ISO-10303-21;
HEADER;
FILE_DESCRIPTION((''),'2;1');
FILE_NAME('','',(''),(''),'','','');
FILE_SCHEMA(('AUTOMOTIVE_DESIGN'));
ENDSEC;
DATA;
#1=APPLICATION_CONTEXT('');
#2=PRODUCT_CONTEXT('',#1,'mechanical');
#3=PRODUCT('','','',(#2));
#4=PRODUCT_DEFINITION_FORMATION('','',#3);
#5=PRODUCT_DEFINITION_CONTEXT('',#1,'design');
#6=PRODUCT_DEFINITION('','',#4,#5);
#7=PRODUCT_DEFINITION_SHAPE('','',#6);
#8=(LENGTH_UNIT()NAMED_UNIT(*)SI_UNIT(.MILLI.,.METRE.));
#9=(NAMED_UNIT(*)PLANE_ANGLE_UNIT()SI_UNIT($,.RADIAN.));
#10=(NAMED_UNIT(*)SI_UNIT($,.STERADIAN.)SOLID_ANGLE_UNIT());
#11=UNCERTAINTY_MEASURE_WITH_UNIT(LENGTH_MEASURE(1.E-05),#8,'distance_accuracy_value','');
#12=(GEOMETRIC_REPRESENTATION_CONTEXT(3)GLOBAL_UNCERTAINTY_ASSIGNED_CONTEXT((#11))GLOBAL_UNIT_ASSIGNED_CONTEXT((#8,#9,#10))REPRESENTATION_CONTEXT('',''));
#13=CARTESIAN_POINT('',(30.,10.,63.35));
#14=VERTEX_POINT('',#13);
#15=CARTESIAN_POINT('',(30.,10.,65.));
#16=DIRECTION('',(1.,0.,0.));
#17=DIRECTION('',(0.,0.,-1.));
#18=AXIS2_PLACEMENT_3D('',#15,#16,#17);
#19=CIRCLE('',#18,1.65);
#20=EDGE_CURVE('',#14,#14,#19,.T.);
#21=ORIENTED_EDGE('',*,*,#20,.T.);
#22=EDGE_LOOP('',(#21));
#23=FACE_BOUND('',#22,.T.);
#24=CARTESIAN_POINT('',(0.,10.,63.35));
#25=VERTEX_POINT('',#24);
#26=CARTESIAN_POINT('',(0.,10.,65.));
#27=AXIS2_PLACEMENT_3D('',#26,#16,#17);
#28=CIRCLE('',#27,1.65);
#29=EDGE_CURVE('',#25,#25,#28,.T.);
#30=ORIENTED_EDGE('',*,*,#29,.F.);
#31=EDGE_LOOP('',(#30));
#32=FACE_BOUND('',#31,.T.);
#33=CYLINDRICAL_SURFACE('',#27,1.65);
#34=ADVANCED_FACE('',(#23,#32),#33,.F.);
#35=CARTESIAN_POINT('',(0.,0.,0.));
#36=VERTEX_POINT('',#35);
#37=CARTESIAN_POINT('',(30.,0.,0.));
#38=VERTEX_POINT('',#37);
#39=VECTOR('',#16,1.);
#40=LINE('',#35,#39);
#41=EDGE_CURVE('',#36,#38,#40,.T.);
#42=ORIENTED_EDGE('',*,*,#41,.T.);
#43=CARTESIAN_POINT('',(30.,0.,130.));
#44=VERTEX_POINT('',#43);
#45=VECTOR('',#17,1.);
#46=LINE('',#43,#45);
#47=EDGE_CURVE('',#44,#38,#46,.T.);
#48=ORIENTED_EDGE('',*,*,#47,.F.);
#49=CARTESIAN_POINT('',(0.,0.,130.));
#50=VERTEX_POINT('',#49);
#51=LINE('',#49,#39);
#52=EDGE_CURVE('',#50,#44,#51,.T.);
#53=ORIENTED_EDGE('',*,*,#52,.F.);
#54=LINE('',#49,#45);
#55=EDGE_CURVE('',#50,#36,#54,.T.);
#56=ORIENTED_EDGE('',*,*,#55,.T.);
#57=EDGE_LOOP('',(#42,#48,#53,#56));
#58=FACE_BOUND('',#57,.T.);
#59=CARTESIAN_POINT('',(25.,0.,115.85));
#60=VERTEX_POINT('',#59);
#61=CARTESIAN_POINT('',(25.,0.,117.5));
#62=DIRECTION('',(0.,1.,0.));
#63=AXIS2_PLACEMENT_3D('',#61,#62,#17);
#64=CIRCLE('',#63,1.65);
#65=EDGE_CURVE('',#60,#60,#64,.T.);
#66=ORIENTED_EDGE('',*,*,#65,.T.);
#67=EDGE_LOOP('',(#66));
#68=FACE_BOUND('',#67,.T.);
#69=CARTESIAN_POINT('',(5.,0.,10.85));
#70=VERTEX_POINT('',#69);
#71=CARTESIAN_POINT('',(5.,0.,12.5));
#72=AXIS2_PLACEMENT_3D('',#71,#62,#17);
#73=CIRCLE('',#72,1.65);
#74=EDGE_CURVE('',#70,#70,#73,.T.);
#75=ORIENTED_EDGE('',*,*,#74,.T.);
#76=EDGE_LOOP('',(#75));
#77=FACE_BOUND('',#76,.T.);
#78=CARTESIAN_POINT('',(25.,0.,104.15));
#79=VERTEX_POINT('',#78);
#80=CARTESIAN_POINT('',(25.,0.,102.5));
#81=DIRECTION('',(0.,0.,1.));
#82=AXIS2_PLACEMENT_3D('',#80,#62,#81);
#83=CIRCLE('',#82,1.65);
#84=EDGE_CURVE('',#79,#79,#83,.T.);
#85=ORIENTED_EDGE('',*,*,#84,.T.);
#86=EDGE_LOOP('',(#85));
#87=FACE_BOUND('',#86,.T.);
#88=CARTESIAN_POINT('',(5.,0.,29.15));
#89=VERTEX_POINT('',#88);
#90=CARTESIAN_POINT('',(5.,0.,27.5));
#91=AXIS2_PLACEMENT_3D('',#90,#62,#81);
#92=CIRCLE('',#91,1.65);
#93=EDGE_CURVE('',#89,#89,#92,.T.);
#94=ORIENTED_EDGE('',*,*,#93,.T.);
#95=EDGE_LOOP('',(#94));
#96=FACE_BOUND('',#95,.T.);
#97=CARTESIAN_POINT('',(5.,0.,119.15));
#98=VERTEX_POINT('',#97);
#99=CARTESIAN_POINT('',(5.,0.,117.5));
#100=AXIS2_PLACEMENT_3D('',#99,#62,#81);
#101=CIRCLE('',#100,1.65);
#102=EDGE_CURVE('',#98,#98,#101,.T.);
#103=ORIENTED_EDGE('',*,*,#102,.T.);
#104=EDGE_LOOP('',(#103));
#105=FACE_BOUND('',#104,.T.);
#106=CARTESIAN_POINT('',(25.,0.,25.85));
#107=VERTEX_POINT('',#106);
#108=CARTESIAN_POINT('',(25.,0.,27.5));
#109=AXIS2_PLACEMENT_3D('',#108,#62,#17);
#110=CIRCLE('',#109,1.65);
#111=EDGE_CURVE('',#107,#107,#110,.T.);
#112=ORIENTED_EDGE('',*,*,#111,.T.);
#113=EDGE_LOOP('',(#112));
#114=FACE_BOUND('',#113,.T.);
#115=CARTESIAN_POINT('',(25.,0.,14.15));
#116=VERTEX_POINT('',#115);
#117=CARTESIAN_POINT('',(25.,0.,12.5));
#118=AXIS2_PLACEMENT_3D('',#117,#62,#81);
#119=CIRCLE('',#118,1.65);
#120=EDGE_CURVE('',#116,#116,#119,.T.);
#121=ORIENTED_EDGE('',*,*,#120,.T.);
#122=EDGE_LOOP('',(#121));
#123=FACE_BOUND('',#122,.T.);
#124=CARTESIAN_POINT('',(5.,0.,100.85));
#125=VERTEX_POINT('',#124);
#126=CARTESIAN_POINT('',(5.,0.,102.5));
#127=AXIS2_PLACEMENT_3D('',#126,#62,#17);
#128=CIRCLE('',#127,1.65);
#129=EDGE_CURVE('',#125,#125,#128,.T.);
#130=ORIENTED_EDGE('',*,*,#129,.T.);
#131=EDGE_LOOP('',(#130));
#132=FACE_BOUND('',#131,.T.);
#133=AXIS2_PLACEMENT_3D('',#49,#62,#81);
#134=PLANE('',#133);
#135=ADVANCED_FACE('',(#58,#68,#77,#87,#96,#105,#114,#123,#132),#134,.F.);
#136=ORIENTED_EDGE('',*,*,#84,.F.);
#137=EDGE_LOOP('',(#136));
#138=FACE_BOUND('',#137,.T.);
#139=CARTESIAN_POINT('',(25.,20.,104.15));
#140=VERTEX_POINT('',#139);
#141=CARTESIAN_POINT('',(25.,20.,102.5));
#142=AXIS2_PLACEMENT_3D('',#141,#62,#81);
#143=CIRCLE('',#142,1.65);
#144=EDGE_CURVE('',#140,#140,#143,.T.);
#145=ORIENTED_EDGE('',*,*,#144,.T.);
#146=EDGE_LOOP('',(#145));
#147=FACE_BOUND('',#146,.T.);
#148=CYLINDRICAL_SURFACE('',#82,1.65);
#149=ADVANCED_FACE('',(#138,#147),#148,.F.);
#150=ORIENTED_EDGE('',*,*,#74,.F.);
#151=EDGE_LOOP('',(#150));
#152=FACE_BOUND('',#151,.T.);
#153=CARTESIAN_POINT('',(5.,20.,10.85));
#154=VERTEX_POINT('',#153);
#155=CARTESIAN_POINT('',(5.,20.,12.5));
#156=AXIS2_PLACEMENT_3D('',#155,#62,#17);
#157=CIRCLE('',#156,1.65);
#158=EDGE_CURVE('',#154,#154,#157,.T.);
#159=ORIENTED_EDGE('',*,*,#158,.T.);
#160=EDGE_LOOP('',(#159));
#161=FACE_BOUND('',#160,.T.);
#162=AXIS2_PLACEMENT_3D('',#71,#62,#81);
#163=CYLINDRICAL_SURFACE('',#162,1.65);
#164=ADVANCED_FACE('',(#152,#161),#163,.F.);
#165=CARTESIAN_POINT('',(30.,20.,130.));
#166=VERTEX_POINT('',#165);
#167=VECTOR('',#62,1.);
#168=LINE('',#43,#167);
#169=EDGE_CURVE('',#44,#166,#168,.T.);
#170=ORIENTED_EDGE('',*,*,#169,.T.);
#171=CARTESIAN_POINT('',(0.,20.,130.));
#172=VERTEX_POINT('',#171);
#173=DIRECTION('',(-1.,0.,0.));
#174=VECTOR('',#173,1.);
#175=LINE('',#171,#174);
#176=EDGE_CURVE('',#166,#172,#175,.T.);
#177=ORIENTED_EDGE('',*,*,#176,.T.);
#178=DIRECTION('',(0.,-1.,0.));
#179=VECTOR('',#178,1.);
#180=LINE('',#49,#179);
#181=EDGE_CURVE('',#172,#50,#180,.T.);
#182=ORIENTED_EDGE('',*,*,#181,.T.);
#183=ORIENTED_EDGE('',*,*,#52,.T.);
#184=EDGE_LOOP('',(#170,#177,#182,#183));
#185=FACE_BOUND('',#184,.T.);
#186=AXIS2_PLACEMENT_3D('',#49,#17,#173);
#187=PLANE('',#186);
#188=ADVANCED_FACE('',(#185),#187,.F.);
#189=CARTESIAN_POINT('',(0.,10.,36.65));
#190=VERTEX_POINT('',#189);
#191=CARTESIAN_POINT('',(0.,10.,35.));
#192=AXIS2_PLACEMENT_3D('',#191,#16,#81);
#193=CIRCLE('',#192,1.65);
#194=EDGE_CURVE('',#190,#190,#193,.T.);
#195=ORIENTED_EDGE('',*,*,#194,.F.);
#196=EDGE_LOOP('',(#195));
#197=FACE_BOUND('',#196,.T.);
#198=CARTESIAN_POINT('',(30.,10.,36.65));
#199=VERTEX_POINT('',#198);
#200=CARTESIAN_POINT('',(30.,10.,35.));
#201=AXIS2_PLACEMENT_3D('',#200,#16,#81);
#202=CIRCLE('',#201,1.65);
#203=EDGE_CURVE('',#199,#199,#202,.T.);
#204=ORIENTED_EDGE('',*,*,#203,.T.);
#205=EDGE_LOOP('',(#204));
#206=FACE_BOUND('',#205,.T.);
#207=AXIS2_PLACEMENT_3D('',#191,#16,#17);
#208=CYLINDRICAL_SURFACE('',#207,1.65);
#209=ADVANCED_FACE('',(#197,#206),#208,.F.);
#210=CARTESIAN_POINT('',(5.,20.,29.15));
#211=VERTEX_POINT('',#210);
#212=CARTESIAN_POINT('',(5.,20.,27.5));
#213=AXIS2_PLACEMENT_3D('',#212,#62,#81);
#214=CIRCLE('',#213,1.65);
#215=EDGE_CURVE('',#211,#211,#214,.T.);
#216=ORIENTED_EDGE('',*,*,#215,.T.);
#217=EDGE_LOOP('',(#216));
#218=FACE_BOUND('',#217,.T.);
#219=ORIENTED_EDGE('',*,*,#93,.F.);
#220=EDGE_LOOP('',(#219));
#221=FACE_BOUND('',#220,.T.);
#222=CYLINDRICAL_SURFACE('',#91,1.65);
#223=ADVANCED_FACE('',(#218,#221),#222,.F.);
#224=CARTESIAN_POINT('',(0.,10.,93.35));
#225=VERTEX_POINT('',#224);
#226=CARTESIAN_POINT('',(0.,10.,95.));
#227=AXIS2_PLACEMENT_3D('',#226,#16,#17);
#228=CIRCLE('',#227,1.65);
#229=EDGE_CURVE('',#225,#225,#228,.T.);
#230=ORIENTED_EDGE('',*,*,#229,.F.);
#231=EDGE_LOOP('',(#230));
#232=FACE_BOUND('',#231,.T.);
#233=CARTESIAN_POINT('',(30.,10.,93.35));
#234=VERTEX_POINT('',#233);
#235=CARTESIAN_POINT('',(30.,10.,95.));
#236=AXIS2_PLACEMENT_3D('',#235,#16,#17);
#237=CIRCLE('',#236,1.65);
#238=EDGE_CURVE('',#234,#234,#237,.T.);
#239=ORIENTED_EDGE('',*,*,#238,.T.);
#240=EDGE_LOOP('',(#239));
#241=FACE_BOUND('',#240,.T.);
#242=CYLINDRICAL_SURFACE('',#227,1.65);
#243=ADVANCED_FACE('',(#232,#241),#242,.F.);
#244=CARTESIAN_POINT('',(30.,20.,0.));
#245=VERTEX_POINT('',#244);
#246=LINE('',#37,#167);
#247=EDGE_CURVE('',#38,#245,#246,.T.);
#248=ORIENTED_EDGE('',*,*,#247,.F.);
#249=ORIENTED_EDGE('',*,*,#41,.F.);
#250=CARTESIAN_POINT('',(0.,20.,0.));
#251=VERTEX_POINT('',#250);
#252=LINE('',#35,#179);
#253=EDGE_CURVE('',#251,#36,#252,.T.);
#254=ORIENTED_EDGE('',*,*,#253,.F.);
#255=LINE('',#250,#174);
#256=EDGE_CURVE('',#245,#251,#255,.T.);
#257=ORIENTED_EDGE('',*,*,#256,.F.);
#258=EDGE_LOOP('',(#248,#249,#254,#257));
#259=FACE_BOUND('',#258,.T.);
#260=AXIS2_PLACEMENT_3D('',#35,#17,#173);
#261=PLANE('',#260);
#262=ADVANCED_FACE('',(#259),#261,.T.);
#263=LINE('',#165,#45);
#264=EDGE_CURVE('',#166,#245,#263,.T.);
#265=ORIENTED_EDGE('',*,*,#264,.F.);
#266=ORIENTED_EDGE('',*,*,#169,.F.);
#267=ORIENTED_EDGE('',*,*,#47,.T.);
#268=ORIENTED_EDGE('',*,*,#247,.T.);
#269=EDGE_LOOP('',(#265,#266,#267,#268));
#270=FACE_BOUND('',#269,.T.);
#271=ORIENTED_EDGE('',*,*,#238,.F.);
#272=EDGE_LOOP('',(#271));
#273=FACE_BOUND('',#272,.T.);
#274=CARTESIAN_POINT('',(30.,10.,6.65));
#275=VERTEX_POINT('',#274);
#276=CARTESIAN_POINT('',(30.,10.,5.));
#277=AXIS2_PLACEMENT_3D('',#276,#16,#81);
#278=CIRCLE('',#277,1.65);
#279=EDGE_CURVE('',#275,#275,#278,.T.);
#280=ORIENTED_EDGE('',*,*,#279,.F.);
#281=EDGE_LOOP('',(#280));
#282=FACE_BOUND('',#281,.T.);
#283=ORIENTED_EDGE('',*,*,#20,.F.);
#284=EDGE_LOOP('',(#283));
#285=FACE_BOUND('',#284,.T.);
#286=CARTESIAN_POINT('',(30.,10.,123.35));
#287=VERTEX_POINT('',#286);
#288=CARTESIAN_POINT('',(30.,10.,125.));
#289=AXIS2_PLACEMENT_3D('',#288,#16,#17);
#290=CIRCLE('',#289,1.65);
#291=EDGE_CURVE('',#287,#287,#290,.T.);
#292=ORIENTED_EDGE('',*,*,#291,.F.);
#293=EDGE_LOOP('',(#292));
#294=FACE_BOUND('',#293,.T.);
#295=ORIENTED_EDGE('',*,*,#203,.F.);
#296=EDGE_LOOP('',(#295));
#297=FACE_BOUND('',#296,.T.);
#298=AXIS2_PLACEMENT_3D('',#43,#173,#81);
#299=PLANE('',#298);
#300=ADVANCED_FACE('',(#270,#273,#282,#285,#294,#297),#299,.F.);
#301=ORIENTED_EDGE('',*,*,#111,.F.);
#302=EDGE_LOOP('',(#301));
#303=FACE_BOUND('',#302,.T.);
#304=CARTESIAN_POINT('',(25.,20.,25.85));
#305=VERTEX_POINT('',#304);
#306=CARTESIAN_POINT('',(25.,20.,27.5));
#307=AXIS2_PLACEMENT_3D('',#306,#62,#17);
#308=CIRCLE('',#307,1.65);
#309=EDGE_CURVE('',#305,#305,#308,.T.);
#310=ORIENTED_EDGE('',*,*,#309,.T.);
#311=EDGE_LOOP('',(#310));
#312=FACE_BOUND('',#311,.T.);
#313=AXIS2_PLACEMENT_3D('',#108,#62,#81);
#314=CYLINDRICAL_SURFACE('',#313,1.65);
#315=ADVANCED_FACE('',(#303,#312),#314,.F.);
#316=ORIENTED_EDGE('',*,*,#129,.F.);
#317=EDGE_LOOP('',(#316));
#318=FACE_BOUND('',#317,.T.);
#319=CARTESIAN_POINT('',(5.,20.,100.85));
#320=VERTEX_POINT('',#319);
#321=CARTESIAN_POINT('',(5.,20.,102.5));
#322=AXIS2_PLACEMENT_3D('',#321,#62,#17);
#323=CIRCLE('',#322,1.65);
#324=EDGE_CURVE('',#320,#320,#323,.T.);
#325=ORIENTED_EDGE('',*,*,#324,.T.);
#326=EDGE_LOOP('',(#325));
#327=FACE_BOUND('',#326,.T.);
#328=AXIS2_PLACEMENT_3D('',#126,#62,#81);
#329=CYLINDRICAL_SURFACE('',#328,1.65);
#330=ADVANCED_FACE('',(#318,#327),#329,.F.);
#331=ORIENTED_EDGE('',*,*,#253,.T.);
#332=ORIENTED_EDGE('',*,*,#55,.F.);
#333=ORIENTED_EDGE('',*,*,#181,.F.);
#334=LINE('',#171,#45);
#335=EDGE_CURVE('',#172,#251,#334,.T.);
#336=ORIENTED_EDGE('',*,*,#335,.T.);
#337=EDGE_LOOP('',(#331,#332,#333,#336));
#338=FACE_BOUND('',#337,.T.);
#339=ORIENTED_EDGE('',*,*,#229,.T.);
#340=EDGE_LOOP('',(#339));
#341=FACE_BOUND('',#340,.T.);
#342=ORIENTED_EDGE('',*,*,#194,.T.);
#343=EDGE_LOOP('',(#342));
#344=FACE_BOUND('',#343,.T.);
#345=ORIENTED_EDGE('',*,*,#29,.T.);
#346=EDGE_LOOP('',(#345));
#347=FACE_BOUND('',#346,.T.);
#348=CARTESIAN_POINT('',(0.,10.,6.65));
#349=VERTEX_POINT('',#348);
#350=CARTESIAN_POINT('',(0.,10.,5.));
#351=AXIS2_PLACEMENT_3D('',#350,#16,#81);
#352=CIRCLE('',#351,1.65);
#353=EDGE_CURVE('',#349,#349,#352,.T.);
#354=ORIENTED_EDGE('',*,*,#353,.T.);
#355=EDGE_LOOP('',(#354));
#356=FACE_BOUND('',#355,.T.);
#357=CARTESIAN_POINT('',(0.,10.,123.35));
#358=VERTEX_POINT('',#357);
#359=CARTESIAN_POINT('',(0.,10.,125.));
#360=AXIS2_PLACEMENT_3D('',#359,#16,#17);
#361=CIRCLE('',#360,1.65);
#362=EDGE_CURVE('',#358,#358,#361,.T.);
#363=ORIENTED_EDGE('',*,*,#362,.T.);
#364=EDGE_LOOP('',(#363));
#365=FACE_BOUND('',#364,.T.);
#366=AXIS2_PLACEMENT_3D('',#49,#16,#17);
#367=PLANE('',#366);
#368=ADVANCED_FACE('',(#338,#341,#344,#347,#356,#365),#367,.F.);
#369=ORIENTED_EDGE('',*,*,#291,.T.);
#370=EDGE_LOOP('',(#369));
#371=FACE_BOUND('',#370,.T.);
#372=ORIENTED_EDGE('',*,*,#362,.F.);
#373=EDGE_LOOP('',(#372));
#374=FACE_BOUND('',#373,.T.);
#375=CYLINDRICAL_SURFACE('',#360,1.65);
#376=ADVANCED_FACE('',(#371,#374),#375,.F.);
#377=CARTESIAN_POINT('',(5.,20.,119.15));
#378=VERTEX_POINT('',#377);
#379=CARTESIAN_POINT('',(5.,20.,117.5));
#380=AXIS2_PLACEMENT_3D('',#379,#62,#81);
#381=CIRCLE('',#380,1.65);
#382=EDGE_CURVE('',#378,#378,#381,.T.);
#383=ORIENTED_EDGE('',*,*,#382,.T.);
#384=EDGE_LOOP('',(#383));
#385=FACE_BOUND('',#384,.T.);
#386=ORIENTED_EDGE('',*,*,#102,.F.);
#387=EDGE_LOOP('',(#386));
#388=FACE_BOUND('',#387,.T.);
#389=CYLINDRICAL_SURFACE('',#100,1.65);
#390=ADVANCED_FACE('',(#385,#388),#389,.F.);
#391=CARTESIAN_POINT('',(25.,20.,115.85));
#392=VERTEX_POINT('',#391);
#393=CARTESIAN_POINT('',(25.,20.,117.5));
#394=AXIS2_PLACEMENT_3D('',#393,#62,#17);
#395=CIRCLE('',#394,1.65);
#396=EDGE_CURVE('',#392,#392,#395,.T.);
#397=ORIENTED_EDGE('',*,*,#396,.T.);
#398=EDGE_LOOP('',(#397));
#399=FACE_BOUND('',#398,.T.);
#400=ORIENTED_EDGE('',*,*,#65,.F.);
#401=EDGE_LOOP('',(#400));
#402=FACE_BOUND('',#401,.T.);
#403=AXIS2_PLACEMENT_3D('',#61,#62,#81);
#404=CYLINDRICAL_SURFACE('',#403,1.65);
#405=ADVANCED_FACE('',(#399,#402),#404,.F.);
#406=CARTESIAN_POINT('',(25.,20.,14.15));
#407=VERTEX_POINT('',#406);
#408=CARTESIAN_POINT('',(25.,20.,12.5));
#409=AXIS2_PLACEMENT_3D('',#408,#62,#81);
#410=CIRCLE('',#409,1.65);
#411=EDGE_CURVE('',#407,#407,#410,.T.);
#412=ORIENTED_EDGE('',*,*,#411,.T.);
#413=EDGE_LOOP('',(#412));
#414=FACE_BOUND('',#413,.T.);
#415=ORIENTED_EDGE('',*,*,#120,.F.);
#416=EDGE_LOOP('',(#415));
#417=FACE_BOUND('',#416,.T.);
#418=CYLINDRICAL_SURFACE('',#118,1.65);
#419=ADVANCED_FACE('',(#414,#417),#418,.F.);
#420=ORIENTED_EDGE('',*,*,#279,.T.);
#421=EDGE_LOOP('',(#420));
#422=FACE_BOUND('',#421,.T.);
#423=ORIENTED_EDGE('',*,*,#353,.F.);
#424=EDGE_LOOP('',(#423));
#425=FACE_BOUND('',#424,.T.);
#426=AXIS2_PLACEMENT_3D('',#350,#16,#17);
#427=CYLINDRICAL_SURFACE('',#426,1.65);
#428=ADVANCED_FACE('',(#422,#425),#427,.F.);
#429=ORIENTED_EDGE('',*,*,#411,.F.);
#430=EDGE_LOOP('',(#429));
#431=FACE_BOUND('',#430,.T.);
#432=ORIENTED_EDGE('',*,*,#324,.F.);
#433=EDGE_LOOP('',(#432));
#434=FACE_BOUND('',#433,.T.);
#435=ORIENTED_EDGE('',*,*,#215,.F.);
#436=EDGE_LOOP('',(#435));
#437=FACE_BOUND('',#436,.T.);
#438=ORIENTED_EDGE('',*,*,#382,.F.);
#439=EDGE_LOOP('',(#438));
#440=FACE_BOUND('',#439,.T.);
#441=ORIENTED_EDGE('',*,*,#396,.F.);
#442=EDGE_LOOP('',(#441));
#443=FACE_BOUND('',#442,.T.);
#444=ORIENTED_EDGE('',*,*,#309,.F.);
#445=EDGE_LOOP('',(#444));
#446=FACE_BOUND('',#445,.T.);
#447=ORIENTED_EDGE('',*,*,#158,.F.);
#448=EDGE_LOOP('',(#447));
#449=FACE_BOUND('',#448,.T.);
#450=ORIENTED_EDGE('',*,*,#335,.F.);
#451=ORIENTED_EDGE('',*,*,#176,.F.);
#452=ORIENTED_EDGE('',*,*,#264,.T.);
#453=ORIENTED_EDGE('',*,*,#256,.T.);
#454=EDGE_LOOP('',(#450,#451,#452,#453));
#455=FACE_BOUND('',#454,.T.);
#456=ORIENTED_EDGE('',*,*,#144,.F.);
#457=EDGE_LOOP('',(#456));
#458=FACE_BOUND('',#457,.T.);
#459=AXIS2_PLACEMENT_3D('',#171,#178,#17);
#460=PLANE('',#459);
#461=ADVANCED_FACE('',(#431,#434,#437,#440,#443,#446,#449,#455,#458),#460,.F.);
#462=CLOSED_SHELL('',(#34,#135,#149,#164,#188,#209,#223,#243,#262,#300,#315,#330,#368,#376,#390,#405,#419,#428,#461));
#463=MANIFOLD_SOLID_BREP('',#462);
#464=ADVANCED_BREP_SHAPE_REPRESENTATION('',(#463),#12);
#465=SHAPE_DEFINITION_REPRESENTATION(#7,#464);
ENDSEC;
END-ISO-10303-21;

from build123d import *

# Parameters (mm, degrees)
ESQUISSE1_W             = 30
ESQUISSE1_H             = 20
BOSS_EXTRU_1_DEPTH      = 130
ESQUISSE2_R             = 1.65
ENL_V_MAT_EXTRU_1_DEPTH = 135.907375632
ESQUISSE3_R             = 1.65
ENL_V_MAT_EXTRU_2_DEPTH = 135.907375632


with BuildPart() as part:
    # Esquisse1 → Boss.-Extru.1 (new body)
    with BuildSketch(Plane.XY):
        with Locations((15, 10)):
            Rectangle(ESQUISSE1_W, ESQUISSE1_H)
    extrude(amount=BOSS_EXTRU_1_DEPTH)

    # Esquisse2 → Enlèv. mat.-Extru.1 (cut, through all)
    with BuildSketch(Plane(origin=(0, 20, 0), x_dir=(1, 0, 0), z_dir=(0, 1, 0))):
        with Locations(Location((5, -117.5, 0), (0, 0, 270))):
            Circle(ESQUISSE2_R)
        with Locations(Location((5, -102.5, 0), (0, 0, 90))):
            Circle(ESQUISSE2_R)
        with Locations(Location((25, -102.5, 0), (0, 0, 270))):
            Circle(ESQUISSE2_R)
        with Locations(Location((25, -117.5, 0), (0, 0, 90))):
            Circle(ESQUISSE2_R)
        with Locations(Location((25, -12.5, 0), (0, 0, 270))):
            Circle(ESQUISSE2_R)
        with Locations(Location((25, -27.5, 0), (0, 0, 90))):
            Circle(ESQUISSE2_R)
        with Locations(Location((5, -27.5, 0), (0, 0, 270))):
            Circle(ESQUISSE2_R)
        with Locations(Location((5, -12.5, 0), (0, 0, 90))):
            Circle(ESQUISSE2_R)
    extrude(amount=-ENL_V_MAT_EXTRU_1_DEPTH, mode=Mode.SUBTRACT)

    # Esquisse3 → Enlèv. mat.-Extru.2 (cut, through all)
    with BuildSketch(Plane(origin=(30, 0, 0), x_dir=(0, 0, -1), z_dir=(1, 0, 0))):
        with Locations((-65, 10)):
            Circle(ESQUISSE3_R)
        with Locations((-95, 10)):
            Circle(ESQUISSE3_R)
        with Locations((-125, 10)):
            Circle(ESQUISSE3_R)
        with Locations(Location((-5, 10, 0), (0, 0, 180))):
            Circle(ESQUISSE3_R)
        with Locations(Location((-35, 10, 0), (0, 0, 180))):
            Circle(ESQUISSE3_R)
    extrude(amount=-ENL_V_MAT_EXTRU_2_DEPTH, mode=Mode.SUBTRACT)


solid = part.part
